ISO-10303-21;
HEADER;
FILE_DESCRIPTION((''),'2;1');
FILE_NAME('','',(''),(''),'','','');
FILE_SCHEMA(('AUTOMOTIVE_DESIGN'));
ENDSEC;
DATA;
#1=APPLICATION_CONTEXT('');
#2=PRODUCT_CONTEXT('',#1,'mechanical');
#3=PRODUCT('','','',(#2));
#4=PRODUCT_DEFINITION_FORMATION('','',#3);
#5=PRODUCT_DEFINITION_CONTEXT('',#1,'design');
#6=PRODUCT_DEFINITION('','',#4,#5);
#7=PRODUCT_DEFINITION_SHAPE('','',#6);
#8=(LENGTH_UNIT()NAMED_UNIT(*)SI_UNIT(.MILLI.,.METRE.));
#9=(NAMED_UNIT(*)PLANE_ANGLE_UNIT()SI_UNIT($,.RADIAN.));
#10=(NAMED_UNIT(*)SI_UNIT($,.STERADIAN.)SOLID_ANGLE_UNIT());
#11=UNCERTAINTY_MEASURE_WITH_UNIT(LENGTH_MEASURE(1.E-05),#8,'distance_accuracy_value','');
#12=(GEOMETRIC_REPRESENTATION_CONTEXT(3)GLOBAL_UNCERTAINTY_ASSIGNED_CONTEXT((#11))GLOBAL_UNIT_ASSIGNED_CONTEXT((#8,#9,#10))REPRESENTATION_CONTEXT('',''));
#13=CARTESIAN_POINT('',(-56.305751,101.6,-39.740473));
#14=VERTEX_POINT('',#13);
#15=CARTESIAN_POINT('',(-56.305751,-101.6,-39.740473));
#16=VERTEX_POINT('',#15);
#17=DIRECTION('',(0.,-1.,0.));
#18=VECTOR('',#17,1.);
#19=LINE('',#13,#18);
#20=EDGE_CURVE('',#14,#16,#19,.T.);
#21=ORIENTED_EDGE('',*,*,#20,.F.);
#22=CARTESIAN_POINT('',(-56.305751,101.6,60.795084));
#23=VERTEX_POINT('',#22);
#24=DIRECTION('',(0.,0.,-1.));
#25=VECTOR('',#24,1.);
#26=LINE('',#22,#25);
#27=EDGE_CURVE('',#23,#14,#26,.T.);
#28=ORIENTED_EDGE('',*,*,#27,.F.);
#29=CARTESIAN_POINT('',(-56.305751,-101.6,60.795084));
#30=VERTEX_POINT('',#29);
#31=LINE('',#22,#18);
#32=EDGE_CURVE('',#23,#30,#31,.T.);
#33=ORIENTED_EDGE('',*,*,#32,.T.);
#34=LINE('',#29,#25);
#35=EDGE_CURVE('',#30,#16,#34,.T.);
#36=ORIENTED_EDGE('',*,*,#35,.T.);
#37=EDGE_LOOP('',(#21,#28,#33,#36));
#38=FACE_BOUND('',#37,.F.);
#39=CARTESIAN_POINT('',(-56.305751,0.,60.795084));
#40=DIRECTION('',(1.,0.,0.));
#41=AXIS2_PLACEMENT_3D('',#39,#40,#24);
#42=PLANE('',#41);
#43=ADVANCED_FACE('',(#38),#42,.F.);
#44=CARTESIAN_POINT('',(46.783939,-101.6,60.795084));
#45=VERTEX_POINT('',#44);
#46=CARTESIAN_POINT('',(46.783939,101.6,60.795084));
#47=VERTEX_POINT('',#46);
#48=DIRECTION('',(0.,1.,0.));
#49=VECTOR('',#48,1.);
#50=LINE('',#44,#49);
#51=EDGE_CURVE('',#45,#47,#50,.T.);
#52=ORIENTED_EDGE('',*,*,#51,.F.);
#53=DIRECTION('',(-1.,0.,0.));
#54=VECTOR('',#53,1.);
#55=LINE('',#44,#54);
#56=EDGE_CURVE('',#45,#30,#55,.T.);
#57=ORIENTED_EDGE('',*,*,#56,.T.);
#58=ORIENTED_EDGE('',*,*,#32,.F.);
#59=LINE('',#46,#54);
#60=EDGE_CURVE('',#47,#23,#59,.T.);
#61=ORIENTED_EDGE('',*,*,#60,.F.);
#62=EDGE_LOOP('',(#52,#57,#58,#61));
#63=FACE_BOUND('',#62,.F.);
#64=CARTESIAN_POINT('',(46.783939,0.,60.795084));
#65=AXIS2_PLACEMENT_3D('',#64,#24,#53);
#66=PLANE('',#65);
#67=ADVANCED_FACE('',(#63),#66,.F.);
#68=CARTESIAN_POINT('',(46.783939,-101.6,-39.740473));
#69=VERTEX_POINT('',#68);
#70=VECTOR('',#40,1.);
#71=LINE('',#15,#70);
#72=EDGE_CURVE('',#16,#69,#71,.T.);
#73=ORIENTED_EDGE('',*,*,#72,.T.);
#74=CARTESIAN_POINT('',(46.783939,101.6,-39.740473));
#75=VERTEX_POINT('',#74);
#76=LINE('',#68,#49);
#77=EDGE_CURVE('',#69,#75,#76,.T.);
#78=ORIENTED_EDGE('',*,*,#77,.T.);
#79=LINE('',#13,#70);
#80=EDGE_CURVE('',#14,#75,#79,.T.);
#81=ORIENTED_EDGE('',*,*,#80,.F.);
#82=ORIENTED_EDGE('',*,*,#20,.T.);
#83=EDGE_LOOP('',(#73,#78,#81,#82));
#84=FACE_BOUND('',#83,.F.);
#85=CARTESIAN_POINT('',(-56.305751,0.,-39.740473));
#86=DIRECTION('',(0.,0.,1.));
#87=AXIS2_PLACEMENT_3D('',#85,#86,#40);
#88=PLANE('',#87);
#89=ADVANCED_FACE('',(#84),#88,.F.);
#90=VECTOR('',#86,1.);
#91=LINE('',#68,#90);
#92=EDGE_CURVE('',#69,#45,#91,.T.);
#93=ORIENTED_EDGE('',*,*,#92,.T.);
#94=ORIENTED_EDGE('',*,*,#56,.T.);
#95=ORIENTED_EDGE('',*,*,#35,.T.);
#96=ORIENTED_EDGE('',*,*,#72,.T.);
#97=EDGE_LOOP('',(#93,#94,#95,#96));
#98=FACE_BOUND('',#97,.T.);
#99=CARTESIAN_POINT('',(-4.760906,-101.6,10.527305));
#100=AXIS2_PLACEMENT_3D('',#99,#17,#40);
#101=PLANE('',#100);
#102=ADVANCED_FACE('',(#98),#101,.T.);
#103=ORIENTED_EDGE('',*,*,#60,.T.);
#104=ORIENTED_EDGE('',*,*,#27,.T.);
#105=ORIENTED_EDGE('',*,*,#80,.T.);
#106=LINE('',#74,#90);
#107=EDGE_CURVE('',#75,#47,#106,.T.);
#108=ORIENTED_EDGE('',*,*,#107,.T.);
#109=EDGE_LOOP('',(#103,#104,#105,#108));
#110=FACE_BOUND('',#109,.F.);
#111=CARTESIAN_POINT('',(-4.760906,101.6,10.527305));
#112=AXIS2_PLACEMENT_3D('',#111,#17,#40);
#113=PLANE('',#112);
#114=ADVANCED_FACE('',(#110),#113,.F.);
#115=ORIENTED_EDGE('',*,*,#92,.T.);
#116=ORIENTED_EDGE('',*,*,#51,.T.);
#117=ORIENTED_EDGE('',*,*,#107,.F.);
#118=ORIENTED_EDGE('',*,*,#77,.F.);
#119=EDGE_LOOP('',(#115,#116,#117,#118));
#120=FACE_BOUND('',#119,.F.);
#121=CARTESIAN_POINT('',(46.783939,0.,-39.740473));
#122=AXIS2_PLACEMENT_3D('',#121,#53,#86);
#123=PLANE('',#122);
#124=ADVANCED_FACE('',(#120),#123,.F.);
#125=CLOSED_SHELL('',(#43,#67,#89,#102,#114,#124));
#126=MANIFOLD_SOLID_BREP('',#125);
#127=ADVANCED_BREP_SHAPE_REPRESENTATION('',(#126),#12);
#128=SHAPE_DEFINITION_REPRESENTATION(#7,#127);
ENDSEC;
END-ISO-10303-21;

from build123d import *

# Parameters (mm, degrees)
F1_DEPTH      = 101.6
F1_DEPTH_BACK = 101.6


with BuildPart() as f1:
    # F0 (on Front) → F1 (new body, two sides)
    with BuildSketch(Plane.XZ) as f1_sk:
        Polygon((46.7839390039, 60.795083642), (-56.3057512045, 60.795083642), (-56.3057512045, -39.740473032), (46.7839390039, -39.740473032), (46.7839390039, 54.4387847185), align=None)
    extrude(amount=-F1_DEPTH)
    extrude(f1_sk.sketch, amount=F1_DEPTH_BACK)


solid = f1.part
